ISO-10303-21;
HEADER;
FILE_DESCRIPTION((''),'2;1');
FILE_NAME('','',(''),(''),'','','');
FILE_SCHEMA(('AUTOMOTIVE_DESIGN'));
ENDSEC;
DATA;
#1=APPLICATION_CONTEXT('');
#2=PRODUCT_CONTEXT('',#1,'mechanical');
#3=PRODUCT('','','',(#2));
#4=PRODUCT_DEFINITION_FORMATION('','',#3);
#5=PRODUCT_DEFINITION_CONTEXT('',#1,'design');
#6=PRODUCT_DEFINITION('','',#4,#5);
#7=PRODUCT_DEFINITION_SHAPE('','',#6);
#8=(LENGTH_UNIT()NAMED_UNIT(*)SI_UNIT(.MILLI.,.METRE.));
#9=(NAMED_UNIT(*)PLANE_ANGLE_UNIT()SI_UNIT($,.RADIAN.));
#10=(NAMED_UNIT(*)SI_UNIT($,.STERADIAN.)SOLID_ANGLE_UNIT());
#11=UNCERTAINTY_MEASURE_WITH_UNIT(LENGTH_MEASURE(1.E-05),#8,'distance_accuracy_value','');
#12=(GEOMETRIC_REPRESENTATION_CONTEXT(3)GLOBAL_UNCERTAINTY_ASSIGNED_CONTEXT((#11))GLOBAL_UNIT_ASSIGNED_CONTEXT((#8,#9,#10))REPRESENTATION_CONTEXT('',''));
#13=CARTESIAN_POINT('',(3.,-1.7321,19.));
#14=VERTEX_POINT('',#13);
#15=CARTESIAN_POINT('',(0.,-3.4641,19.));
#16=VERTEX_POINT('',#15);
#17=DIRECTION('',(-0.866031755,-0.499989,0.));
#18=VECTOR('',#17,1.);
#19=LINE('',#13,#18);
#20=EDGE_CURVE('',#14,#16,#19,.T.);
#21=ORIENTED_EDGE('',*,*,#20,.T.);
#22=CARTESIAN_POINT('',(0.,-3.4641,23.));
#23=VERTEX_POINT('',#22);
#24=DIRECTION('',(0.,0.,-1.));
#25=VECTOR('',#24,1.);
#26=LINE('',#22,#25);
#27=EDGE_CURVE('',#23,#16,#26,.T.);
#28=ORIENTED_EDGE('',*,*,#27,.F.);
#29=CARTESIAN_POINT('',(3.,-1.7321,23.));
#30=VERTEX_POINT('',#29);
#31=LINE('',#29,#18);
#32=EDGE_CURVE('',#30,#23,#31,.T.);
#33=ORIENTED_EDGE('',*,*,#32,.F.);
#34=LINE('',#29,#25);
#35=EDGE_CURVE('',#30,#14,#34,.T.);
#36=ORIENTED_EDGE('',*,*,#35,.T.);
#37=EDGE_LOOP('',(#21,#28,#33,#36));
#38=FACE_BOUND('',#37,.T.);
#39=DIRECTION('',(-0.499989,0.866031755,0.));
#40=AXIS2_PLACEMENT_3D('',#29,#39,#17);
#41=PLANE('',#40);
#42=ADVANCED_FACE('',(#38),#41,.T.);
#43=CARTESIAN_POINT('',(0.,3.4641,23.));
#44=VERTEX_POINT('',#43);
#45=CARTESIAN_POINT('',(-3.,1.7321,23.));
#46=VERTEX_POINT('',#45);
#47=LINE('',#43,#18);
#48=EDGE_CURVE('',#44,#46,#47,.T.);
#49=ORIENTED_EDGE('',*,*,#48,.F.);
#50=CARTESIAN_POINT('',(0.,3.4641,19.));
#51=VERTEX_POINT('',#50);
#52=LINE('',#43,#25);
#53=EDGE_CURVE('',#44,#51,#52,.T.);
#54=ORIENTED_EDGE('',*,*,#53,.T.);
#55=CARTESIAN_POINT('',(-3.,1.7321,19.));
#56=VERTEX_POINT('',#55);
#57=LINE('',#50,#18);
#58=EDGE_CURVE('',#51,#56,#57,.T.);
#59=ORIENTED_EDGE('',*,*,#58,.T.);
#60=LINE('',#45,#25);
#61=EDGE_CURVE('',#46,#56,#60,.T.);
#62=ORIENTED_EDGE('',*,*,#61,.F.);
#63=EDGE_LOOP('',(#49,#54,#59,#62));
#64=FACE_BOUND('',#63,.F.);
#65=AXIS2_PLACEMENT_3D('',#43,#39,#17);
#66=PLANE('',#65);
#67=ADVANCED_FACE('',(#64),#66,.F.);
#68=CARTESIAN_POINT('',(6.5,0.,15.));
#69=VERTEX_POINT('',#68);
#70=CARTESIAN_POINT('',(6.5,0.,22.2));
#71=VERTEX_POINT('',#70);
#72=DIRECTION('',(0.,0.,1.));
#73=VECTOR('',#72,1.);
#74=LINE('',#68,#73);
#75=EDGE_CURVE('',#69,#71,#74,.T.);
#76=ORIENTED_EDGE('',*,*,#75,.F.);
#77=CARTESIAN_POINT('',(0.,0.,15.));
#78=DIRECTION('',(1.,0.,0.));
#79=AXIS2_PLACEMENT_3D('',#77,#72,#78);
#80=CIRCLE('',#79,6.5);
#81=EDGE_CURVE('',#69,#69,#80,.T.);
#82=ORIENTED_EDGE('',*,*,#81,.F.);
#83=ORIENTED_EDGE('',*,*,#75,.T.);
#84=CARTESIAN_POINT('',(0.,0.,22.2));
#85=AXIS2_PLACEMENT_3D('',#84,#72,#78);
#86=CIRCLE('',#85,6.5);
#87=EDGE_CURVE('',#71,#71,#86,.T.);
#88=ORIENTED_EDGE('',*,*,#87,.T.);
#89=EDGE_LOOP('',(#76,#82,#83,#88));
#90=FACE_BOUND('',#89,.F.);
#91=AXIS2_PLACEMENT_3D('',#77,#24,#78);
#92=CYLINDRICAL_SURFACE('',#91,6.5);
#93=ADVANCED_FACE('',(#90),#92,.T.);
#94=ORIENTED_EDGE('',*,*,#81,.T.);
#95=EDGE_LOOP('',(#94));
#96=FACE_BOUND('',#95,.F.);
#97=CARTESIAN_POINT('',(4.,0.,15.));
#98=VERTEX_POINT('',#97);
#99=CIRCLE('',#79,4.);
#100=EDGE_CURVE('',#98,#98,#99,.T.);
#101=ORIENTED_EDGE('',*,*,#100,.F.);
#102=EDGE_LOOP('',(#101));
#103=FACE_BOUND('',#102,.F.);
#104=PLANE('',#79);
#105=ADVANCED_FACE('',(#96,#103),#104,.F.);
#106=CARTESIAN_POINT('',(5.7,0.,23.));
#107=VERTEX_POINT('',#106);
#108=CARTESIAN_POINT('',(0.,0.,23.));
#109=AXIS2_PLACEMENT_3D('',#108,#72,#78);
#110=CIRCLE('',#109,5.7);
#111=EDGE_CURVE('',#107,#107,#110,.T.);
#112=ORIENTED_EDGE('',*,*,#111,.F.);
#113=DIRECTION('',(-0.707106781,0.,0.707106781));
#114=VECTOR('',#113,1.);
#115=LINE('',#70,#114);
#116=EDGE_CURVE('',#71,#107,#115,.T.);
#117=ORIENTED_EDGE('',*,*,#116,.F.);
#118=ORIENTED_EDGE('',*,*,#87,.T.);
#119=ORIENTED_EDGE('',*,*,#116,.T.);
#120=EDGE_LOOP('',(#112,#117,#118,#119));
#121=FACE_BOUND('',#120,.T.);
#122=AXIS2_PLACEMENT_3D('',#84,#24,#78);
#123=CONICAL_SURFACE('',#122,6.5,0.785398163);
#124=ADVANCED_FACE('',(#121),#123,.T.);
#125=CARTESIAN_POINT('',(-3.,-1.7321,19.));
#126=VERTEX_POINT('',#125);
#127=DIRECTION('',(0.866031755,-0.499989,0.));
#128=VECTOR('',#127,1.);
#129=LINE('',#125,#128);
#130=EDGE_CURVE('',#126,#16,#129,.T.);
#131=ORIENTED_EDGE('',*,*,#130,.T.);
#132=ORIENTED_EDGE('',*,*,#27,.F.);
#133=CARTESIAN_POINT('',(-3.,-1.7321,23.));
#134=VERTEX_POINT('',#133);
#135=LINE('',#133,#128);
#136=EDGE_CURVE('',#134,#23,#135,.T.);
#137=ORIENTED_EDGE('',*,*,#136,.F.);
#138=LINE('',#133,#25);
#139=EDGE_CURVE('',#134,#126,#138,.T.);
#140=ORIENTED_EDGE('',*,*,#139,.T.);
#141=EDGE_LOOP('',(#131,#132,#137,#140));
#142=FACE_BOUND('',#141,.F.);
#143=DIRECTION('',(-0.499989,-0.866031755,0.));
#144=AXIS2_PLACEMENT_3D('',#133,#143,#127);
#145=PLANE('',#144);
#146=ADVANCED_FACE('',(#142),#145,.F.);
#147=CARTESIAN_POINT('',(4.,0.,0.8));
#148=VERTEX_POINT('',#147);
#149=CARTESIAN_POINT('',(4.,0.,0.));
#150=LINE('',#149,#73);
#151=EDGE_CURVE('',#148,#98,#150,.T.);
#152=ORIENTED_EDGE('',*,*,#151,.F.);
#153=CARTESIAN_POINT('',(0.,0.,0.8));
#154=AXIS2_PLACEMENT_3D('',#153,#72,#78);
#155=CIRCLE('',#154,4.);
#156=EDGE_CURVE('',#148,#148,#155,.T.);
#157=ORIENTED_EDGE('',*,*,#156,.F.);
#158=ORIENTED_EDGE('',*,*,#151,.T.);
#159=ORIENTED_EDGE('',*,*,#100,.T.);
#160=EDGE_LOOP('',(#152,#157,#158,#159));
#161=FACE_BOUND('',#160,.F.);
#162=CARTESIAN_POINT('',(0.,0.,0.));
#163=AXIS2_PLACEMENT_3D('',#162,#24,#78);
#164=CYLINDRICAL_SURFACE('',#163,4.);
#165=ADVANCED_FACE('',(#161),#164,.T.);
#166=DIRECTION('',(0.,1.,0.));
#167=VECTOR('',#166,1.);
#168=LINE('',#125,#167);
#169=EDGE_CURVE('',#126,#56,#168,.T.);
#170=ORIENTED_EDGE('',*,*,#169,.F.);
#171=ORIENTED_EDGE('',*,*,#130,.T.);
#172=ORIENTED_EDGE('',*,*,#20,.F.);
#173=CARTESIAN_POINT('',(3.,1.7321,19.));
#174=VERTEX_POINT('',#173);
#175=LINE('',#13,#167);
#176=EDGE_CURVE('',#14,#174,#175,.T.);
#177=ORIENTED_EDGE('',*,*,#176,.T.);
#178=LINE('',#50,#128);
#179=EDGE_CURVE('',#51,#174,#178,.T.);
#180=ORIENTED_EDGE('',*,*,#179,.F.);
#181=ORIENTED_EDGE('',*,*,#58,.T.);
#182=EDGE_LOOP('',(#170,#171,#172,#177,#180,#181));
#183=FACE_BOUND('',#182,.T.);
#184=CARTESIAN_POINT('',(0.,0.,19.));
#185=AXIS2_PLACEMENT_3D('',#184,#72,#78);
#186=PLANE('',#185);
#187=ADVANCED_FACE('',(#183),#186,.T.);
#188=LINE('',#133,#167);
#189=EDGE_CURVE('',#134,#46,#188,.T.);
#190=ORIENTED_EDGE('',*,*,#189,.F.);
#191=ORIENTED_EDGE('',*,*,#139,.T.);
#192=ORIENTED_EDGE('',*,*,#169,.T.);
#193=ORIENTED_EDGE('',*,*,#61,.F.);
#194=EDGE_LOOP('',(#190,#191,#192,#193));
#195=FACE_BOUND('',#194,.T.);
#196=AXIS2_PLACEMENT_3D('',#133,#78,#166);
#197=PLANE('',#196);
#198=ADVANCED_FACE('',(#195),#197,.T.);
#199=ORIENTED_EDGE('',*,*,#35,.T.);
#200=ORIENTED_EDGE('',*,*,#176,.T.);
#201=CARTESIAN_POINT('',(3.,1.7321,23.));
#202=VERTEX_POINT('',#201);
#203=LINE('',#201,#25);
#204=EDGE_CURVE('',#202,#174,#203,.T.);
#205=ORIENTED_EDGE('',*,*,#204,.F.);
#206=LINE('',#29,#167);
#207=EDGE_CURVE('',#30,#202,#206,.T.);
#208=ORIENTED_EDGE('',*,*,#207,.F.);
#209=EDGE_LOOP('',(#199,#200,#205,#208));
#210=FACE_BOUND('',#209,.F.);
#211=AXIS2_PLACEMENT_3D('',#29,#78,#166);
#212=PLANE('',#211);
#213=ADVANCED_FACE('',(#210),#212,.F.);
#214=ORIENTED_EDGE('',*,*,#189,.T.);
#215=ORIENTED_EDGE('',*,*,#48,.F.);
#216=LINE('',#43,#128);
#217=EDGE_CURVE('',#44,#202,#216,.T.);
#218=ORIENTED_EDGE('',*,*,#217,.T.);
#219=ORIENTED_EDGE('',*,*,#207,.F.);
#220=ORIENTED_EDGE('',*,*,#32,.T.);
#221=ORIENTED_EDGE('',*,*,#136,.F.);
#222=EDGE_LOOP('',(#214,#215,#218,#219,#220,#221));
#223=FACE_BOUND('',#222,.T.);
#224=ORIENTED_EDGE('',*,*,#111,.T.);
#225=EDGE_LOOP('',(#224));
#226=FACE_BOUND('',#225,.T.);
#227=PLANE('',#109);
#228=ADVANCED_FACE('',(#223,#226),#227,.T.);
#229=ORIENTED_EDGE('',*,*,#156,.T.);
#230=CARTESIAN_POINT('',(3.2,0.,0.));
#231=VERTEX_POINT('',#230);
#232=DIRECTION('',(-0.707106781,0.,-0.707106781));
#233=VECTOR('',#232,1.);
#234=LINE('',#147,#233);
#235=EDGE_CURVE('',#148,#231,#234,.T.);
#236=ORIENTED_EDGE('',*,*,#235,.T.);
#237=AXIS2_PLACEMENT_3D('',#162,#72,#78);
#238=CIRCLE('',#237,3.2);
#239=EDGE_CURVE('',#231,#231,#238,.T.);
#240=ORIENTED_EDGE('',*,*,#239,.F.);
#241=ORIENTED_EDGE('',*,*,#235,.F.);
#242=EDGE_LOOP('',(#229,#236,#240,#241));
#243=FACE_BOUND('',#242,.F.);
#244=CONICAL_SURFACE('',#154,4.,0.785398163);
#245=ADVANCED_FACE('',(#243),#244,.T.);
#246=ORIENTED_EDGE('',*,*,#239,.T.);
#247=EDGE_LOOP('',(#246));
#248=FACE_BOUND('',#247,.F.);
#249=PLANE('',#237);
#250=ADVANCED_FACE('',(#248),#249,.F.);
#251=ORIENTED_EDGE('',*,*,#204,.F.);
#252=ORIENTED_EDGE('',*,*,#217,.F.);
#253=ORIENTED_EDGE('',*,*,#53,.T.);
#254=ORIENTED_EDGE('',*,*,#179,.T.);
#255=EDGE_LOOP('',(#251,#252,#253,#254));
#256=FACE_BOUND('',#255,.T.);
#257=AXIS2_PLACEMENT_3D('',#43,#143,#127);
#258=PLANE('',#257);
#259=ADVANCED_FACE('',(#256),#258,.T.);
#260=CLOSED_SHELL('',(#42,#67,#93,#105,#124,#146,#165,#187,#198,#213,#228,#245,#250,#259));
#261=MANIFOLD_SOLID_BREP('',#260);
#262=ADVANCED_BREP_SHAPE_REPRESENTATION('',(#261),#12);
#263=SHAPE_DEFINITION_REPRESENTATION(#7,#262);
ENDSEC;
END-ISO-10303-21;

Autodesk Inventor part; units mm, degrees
ref_plane "YZ Plane" through (0, 0, 0) normal (1, 0, 0) x (0, 1, 0)
ref_plane "XZ Plane" through (0, 0, 0) normal (0, 1, 0) x (-1, 0, 0)
ref_plane "XY Plane" through (0, 0, 0) normal (0, 0, 1) x (1, 0, 0)
sketch "Sketch1" plane through (0, 0, 0) normal (0, 0, 1) x (1, 0, 0)
  circle A0 centre (0, 0) radius 4
  dimension "Diameter" = 8
extrude "Extrusion1" add sketch "Sketch1" along normal blind 15
sketch "Sketch2" plane through (0, 0, 15) normal (0, 0, 1) x (1, 0, 0)
  circle A0 centre (0, 0) radius 4 projected
  circle A1 centre (0, 0) radius 6.5
  dimension "Head_Diameter" = 13
extrude "Extrusion2" add sketch "Sketch2" along normal blind 8 contours A0 | A1
sketch "Sketch3" plane through (0, 0, 23) normal (0, 0, 1) x (1, 0, 0)
  circle A0 centre (0, 0) radius 6.5 projected
  circle A1 centre (0, 0) radius 3.4641 construction
  line L0 (0, 3.4641) -> (3, 1.7321)
  line L1 (3, -1.7321) -> (3, 1.7321)
  line L2 (0, 3.4641) -> (-3, 1.7321)
  line L3 (-3, -1.7321) -> (-3, 1.7321)
  line L4 (-3, -1.7321) -> (0, -3.4641)
  line L5 (3, -1.7321) -> (0, -3.4641)
  dimension "Hex_Width" = 6
extrude "Extrusion3" cut sketch "Sketch3" against normal blind 4 contours L0 L1 L5 L4 L3 L2
thread "Thread1" size "M8x1.25" class "4g6g" standard "ANSI Metric M Profile" length 15
chamfer "Chamfer1" distance 0.8 angle 45 2 edges at (-6.5, 0, 23) (-4, 0, 0)
equation "\"d9\" = ThreadLength"
equation "\"d12\" = Chamfer"
equation "\"ThreadLength\" = 15"
equation "\"Chamfer\" = 0.8"
properties part number "SCREW, SOCKET HD, P, 12.9, M8X1.25X15MM"
